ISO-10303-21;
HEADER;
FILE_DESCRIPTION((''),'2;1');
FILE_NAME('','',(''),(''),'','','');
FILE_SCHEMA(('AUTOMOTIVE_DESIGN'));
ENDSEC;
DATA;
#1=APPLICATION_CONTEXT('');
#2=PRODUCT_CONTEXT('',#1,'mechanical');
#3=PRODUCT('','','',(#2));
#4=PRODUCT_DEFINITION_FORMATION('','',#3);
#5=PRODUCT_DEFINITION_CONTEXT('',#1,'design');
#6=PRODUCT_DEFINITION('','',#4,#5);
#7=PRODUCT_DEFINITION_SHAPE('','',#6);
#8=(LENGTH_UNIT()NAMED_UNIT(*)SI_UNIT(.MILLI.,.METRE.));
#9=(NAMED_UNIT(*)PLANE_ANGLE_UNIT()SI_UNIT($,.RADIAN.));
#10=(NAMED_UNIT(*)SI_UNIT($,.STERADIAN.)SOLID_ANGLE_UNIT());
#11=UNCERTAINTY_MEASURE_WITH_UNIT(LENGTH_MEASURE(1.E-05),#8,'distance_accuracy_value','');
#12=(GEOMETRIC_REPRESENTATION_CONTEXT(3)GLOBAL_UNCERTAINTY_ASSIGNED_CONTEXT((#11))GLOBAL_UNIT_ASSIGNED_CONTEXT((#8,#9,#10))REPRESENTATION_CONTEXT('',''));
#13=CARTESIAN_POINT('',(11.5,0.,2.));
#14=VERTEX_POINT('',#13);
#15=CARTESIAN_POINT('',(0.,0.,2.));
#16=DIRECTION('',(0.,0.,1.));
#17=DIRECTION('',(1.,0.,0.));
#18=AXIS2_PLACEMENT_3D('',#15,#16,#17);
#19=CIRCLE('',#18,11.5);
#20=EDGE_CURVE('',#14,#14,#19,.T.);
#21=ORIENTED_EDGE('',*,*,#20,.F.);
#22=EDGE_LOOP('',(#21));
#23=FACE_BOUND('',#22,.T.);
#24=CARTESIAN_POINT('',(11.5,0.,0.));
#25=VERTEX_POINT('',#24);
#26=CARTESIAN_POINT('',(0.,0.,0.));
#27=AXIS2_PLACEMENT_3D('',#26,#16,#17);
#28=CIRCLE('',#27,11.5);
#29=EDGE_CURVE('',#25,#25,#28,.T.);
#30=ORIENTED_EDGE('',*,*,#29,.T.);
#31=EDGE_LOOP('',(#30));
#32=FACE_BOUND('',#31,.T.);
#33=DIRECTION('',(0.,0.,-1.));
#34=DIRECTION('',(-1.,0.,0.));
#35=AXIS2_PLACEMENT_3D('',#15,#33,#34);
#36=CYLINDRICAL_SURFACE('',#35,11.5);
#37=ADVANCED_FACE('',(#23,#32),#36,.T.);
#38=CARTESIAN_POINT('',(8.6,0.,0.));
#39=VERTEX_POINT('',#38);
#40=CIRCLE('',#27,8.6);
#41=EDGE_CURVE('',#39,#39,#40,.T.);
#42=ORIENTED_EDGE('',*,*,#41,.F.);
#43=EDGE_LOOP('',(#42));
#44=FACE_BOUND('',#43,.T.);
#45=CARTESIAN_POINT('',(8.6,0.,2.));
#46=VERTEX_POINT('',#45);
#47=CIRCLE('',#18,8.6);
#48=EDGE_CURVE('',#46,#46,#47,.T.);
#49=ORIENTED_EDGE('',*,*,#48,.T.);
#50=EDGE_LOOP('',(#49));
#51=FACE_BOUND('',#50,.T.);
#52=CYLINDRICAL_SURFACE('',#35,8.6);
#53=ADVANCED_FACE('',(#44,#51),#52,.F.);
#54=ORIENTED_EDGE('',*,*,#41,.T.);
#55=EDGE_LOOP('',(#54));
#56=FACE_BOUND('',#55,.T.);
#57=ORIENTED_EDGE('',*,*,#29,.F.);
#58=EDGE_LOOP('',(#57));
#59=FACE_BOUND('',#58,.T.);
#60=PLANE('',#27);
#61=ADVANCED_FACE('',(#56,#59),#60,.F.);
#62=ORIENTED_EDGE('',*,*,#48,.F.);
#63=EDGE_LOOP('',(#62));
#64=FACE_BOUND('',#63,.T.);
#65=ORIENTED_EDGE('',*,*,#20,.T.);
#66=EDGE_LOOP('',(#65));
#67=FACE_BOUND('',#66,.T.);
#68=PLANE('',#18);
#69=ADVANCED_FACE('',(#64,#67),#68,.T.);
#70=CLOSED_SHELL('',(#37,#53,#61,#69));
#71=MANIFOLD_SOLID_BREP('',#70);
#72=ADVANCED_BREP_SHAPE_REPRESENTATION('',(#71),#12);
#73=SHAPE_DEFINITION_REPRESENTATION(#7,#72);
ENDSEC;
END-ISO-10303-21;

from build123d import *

# Parameters (mm, degrees)
SKETCH_1_R      = 11.5
SKETCH_1_R_2    = 8.6
EXTRUDE_1_DEPTH = 2


with BuildPart() as part:
    # Эскиз1 → Бобышка-Вытянуть1 (new body)
    with BuildSketch(Plane.XY):
        Circle(SKETCH_1_R)
        Circle(SKETCH_1_R_2, mode=Mode.SUBTRACT)
    extrude(amount=EXTRUDE_1_DEPTH)


solid = part.part
